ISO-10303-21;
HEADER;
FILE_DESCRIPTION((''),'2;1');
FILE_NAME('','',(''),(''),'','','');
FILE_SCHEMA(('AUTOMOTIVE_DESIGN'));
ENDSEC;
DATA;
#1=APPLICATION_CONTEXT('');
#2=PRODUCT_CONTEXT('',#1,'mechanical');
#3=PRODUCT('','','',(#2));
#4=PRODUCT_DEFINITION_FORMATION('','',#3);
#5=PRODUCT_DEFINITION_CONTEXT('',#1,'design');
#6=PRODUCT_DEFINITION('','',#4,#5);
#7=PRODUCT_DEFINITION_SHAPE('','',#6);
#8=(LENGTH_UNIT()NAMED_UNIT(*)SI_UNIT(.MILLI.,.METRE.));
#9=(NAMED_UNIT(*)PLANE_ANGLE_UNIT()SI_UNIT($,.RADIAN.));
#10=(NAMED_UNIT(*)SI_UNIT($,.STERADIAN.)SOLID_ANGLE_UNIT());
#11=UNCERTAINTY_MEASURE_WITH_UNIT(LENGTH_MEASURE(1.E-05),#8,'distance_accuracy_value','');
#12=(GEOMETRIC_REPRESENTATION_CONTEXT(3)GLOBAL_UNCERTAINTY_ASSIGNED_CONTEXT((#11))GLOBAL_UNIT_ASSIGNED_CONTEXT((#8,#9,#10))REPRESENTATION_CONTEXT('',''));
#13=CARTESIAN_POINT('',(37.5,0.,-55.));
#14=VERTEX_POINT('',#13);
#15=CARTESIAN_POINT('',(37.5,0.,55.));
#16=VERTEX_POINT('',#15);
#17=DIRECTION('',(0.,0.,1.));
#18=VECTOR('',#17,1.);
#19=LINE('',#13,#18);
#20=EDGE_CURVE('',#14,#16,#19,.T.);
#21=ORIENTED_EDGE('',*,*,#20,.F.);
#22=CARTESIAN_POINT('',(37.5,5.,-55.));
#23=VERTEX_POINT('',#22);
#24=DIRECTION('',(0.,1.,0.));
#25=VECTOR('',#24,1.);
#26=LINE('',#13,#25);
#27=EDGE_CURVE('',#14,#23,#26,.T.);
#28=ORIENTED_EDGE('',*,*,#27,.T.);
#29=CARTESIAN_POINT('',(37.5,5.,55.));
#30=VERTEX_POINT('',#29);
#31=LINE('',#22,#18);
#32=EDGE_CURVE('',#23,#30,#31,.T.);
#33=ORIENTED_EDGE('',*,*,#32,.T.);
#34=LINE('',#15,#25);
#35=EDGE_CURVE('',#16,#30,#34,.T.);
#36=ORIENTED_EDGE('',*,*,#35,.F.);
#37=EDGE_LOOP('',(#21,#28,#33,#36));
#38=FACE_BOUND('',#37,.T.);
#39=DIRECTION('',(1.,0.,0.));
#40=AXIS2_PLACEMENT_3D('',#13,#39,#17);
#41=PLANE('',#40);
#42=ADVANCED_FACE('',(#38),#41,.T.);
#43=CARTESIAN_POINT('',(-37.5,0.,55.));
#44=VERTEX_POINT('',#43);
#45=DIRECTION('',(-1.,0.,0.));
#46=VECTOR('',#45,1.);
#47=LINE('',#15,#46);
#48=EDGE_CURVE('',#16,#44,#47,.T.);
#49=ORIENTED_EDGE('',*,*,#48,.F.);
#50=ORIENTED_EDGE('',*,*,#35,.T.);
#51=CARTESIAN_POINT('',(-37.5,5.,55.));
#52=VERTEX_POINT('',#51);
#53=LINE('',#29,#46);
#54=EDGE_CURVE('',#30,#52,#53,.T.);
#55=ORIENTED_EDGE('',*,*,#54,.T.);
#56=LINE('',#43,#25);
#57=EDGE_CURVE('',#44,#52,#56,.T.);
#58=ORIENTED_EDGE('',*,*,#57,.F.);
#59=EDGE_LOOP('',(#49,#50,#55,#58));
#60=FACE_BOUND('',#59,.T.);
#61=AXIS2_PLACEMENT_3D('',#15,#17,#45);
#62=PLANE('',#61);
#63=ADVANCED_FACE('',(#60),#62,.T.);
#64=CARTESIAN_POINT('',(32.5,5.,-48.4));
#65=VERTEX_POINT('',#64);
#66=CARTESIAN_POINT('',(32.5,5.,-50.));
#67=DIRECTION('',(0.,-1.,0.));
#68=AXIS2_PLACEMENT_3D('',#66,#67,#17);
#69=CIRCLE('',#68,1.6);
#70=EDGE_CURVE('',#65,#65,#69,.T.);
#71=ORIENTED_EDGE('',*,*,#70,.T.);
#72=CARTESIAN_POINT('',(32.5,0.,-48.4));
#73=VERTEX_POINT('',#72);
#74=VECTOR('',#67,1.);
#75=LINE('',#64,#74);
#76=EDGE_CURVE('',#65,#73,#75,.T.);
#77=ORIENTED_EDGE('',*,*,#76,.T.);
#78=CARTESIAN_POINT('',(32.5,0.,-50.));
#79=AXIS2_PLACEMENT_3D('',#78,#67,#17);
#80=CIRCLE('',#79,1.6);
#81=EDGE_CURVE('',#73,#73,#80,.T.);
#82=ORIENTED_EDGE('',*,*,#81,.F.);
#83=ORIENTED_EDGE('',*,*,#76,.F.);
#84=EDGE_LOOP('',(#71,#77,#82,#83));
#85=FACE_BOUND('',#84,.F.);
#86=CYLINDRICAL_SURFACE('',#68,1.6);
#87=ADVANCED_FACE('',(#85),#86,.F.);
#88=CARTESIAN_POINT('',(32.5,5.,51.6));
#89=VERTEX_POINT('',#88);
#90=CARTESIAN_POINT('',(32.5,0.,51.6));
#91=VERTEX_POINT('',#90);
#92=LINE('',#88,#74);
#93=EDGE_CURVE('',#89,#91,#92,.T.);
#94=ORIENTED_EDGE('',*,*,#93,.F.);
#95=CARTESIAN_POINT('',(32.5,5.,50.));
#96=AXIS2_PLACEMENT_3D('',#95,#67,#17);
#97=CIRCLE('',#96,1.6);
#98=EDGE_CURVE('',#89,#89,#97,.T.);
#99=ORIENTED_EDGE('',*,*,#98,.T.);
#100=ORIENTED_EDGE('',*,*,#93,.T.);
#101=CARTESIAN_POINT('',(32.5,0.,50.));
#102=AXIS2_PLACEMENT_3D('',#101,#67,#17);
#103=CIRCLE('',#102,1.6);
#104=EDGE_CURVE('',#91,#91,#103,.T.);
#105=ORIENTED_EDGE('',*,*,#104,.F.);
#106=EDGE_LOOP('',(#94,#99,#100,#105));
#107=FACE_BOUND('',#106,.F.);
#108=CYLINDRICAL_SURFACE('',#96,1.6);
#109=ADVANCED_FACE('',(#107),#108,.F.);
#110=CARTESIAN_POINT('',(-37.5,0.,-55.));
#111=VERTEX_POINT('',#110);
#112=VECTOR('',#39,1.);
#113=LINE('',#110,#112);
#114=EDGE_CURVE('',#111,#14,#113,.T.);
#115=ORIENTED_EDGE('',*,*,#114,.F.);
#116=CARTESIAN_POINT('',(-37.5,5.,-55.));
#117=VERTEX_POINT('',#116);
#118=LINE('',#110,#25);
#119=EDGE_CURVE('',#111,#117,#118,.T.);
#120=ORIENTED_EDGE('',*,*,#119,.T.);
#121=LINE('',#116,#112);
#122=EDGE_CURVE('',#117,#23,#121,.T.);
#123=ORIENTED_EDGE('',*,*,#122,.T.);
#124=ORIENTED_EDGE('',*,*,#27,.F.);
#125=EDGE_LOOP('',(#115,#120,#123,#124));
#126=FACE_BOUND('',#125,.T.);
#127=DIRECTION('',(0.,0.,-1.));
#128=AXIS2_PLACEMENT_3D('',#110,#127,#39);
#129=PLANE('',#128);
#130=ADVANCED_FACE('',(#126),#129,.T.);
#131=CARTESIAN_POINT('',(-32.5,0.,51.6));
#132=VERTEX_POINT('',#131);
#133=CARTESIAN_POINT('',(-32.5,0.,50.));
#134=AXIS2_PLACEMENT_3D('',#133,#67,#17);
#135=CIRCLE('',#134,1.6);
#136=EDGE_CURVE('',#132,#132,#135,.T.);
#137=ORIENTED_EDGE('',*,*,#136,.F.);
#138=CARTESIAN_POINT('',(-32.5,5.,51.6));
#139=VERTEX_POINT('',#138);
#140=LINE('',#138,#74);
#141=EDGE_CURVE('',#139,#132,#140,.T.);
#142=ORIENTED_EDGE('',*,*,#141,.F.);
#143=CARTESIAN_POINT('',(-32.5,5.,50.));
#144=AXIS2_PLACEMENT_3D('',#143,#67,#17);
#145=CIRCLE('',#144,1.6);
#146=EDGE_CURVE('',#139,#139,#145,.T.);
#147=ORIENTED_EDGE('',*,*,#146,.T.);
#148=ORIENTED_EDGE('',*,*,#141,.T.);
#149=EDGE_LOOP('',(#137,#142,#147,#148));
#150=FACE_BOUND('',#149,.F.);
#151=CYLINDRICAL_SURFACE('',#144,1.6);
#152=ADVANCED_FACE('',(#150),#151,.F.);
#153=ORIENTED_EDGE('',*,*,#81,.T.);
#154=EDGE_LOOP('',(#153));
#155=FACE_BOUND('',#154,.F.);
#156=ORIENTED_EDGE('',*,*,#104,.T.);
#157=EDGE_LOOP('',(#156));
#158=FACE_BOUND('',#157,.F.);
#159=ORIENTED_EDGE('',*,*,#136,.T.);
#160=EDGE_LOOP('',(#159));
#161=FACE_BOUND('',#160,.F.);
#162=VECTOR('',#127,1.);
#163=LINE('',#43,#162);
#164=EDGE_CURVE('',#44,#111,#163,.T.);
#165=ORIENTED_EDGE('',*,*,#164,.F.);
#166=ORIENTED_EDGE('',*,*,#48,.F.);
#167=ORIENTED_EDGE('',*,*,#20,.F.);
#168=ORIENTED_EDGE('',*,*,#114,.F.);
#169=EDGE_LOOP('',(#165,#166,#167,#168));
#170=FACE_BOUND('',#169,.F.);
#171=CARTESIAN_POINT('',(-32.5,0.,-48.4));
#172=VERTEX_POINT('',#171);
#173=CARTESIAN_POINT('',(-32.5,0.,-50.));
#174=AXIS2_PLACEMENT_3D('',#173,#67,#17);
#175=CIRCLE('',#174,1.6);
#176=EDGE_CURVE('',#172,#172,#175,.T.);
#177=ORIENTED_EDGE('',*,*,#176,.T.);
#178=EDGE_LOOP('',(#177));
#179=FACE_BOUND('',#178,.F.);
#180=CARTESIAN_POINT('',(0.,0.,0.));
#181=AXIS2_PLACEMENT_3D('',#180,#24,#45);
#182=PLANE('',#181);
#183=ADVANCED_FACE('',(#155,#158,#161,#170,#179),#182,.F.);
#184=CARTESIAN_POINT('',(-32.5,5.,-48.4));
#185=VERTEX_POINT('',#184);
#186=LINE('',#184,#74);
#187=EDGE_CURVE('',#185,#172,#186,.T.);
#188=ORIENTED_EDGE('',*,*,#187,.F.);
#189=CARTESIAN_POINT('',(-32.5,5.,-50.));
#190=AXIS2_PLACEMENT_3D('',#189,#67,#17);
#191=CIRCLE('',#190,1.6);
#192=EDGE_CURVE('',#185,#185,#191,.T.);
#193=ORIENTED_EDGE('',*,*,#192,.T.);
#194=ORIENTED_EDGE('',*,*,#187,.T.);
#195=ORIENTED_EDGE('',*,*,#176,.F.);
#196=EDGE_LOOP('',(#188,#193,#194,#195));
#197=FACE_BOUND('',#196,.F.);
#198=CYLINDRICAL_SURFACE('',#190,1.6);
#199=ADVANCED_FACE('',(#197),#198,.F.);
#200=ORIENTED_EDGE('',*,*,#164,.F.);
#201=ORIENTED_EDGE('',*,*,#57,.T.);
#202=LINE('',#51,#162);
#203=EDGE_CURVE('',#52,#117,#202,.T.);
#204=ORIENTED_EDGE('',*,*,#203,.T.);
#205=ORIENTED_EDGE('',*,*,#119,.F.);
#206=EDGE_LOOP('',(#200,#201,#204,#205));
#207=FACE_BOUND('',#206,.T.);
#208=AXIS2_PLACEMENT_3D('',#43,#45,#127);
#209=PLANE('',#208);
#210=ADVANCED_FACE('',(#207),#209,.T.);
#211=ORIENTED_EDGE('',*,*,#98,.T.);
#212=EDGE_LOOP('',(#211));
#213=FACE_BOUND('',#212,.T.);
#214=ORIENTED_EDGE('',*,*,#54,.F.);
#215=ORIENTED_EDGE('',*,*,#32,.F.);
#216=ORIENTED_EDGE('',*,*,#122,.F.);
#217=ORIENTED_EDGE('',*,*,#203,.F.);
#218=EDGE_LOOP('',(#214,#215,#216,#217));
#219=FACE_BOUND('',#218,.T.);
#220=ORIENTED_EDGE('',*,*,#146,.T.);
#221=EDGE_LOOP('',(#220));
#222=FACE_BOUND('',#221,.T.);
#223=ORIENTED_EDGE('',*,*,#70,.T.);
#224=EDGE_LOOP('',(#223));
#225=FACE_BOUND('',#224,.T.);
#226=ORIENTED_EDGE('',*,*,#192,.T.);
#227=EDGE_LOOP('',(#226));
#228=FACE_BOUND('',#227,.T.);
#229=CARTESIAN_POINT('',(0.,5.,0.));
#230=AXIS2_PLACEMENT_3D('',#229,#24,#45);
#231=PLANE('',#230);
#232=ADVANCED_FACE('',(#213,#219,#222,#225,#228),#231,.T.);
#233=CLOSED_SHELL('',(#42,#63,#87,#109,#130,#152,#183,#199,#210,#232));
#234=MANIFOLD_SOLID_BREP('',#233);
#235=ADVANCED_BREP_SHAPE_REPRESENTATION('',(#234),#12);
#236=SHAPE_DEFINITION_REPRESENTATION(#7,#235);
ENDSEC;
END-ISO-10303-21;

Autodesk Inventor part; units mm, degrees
ref_plane "YZ Plane" through (0, 0, 0) normal (1, 0, 0) x (0, 1, 0)
ref_plane "XZ Plane" through (0, 0, 0) normal (0, 1, 0) x (-1, 0, 0)
ref_plane "XY Plane" through (0, 0, 0) normal (0, 0, 1) x (1, 0, 0)
sketch "Sketch1" plane through (0, 0, 0) normal (0, 1, 0) x (-1, 0, 0)
  line L0 (-37.5, 55) -> (37.5, 55)
  line L1 (37.5, 55) -> (37.5, -55)
  line L2 (37.5, -55) -> (-37.5, -55)
  line L3 (-37.5, -55) -> (-37.5, 55)
  line L4 (-37.5, 55) -> (37.5, -55) construction
  line L5 (37.5, 55) -> (-37.5, -55) construction
  point P0 (0, 0)
  dimension "d0" = 75
  dimension "d1" = 110
extrude "Extrusion1" add sketch "Sketch1" along normal blind 5
sketch "Sketch2" plane through (0, 5, 0) normal (0, 1, 0) x (1, 0, 0)
  line L0 (37.5, -55) -> (37.5, 55) projected
  line L1 (-37.5, -55) -> (37.5, -55) projected
  line L2 (37.5, 55) -> (-37.5, 55) projected
  line L3 (-37.5, 55) -> (-37.5, -55) projected
  point P0 (0, 0)
  point P1 (32.5, -50)
  point P2 (32.5, 50)
  point P3 (-32.5, 50)
  point P4 (-32.5, -50)
  dimension "HS" = 5
  dimension "d12" = 5
  dimension "d13" = 5
  dimension "d14" = 5
hole "Hole1" at (32.5, 5, 50) at (32.5, 5, -50) at (-32.5, 5, -50) at (-32.5, 5, 50) direction (0, -1, 0) diameter 3.2 depth 6
equation "\"d12\" = HS"
equation "\"d13\" = HS"
equation "\"d14\" = HS"
properties part number "DAQ_HousingCover_V1"
